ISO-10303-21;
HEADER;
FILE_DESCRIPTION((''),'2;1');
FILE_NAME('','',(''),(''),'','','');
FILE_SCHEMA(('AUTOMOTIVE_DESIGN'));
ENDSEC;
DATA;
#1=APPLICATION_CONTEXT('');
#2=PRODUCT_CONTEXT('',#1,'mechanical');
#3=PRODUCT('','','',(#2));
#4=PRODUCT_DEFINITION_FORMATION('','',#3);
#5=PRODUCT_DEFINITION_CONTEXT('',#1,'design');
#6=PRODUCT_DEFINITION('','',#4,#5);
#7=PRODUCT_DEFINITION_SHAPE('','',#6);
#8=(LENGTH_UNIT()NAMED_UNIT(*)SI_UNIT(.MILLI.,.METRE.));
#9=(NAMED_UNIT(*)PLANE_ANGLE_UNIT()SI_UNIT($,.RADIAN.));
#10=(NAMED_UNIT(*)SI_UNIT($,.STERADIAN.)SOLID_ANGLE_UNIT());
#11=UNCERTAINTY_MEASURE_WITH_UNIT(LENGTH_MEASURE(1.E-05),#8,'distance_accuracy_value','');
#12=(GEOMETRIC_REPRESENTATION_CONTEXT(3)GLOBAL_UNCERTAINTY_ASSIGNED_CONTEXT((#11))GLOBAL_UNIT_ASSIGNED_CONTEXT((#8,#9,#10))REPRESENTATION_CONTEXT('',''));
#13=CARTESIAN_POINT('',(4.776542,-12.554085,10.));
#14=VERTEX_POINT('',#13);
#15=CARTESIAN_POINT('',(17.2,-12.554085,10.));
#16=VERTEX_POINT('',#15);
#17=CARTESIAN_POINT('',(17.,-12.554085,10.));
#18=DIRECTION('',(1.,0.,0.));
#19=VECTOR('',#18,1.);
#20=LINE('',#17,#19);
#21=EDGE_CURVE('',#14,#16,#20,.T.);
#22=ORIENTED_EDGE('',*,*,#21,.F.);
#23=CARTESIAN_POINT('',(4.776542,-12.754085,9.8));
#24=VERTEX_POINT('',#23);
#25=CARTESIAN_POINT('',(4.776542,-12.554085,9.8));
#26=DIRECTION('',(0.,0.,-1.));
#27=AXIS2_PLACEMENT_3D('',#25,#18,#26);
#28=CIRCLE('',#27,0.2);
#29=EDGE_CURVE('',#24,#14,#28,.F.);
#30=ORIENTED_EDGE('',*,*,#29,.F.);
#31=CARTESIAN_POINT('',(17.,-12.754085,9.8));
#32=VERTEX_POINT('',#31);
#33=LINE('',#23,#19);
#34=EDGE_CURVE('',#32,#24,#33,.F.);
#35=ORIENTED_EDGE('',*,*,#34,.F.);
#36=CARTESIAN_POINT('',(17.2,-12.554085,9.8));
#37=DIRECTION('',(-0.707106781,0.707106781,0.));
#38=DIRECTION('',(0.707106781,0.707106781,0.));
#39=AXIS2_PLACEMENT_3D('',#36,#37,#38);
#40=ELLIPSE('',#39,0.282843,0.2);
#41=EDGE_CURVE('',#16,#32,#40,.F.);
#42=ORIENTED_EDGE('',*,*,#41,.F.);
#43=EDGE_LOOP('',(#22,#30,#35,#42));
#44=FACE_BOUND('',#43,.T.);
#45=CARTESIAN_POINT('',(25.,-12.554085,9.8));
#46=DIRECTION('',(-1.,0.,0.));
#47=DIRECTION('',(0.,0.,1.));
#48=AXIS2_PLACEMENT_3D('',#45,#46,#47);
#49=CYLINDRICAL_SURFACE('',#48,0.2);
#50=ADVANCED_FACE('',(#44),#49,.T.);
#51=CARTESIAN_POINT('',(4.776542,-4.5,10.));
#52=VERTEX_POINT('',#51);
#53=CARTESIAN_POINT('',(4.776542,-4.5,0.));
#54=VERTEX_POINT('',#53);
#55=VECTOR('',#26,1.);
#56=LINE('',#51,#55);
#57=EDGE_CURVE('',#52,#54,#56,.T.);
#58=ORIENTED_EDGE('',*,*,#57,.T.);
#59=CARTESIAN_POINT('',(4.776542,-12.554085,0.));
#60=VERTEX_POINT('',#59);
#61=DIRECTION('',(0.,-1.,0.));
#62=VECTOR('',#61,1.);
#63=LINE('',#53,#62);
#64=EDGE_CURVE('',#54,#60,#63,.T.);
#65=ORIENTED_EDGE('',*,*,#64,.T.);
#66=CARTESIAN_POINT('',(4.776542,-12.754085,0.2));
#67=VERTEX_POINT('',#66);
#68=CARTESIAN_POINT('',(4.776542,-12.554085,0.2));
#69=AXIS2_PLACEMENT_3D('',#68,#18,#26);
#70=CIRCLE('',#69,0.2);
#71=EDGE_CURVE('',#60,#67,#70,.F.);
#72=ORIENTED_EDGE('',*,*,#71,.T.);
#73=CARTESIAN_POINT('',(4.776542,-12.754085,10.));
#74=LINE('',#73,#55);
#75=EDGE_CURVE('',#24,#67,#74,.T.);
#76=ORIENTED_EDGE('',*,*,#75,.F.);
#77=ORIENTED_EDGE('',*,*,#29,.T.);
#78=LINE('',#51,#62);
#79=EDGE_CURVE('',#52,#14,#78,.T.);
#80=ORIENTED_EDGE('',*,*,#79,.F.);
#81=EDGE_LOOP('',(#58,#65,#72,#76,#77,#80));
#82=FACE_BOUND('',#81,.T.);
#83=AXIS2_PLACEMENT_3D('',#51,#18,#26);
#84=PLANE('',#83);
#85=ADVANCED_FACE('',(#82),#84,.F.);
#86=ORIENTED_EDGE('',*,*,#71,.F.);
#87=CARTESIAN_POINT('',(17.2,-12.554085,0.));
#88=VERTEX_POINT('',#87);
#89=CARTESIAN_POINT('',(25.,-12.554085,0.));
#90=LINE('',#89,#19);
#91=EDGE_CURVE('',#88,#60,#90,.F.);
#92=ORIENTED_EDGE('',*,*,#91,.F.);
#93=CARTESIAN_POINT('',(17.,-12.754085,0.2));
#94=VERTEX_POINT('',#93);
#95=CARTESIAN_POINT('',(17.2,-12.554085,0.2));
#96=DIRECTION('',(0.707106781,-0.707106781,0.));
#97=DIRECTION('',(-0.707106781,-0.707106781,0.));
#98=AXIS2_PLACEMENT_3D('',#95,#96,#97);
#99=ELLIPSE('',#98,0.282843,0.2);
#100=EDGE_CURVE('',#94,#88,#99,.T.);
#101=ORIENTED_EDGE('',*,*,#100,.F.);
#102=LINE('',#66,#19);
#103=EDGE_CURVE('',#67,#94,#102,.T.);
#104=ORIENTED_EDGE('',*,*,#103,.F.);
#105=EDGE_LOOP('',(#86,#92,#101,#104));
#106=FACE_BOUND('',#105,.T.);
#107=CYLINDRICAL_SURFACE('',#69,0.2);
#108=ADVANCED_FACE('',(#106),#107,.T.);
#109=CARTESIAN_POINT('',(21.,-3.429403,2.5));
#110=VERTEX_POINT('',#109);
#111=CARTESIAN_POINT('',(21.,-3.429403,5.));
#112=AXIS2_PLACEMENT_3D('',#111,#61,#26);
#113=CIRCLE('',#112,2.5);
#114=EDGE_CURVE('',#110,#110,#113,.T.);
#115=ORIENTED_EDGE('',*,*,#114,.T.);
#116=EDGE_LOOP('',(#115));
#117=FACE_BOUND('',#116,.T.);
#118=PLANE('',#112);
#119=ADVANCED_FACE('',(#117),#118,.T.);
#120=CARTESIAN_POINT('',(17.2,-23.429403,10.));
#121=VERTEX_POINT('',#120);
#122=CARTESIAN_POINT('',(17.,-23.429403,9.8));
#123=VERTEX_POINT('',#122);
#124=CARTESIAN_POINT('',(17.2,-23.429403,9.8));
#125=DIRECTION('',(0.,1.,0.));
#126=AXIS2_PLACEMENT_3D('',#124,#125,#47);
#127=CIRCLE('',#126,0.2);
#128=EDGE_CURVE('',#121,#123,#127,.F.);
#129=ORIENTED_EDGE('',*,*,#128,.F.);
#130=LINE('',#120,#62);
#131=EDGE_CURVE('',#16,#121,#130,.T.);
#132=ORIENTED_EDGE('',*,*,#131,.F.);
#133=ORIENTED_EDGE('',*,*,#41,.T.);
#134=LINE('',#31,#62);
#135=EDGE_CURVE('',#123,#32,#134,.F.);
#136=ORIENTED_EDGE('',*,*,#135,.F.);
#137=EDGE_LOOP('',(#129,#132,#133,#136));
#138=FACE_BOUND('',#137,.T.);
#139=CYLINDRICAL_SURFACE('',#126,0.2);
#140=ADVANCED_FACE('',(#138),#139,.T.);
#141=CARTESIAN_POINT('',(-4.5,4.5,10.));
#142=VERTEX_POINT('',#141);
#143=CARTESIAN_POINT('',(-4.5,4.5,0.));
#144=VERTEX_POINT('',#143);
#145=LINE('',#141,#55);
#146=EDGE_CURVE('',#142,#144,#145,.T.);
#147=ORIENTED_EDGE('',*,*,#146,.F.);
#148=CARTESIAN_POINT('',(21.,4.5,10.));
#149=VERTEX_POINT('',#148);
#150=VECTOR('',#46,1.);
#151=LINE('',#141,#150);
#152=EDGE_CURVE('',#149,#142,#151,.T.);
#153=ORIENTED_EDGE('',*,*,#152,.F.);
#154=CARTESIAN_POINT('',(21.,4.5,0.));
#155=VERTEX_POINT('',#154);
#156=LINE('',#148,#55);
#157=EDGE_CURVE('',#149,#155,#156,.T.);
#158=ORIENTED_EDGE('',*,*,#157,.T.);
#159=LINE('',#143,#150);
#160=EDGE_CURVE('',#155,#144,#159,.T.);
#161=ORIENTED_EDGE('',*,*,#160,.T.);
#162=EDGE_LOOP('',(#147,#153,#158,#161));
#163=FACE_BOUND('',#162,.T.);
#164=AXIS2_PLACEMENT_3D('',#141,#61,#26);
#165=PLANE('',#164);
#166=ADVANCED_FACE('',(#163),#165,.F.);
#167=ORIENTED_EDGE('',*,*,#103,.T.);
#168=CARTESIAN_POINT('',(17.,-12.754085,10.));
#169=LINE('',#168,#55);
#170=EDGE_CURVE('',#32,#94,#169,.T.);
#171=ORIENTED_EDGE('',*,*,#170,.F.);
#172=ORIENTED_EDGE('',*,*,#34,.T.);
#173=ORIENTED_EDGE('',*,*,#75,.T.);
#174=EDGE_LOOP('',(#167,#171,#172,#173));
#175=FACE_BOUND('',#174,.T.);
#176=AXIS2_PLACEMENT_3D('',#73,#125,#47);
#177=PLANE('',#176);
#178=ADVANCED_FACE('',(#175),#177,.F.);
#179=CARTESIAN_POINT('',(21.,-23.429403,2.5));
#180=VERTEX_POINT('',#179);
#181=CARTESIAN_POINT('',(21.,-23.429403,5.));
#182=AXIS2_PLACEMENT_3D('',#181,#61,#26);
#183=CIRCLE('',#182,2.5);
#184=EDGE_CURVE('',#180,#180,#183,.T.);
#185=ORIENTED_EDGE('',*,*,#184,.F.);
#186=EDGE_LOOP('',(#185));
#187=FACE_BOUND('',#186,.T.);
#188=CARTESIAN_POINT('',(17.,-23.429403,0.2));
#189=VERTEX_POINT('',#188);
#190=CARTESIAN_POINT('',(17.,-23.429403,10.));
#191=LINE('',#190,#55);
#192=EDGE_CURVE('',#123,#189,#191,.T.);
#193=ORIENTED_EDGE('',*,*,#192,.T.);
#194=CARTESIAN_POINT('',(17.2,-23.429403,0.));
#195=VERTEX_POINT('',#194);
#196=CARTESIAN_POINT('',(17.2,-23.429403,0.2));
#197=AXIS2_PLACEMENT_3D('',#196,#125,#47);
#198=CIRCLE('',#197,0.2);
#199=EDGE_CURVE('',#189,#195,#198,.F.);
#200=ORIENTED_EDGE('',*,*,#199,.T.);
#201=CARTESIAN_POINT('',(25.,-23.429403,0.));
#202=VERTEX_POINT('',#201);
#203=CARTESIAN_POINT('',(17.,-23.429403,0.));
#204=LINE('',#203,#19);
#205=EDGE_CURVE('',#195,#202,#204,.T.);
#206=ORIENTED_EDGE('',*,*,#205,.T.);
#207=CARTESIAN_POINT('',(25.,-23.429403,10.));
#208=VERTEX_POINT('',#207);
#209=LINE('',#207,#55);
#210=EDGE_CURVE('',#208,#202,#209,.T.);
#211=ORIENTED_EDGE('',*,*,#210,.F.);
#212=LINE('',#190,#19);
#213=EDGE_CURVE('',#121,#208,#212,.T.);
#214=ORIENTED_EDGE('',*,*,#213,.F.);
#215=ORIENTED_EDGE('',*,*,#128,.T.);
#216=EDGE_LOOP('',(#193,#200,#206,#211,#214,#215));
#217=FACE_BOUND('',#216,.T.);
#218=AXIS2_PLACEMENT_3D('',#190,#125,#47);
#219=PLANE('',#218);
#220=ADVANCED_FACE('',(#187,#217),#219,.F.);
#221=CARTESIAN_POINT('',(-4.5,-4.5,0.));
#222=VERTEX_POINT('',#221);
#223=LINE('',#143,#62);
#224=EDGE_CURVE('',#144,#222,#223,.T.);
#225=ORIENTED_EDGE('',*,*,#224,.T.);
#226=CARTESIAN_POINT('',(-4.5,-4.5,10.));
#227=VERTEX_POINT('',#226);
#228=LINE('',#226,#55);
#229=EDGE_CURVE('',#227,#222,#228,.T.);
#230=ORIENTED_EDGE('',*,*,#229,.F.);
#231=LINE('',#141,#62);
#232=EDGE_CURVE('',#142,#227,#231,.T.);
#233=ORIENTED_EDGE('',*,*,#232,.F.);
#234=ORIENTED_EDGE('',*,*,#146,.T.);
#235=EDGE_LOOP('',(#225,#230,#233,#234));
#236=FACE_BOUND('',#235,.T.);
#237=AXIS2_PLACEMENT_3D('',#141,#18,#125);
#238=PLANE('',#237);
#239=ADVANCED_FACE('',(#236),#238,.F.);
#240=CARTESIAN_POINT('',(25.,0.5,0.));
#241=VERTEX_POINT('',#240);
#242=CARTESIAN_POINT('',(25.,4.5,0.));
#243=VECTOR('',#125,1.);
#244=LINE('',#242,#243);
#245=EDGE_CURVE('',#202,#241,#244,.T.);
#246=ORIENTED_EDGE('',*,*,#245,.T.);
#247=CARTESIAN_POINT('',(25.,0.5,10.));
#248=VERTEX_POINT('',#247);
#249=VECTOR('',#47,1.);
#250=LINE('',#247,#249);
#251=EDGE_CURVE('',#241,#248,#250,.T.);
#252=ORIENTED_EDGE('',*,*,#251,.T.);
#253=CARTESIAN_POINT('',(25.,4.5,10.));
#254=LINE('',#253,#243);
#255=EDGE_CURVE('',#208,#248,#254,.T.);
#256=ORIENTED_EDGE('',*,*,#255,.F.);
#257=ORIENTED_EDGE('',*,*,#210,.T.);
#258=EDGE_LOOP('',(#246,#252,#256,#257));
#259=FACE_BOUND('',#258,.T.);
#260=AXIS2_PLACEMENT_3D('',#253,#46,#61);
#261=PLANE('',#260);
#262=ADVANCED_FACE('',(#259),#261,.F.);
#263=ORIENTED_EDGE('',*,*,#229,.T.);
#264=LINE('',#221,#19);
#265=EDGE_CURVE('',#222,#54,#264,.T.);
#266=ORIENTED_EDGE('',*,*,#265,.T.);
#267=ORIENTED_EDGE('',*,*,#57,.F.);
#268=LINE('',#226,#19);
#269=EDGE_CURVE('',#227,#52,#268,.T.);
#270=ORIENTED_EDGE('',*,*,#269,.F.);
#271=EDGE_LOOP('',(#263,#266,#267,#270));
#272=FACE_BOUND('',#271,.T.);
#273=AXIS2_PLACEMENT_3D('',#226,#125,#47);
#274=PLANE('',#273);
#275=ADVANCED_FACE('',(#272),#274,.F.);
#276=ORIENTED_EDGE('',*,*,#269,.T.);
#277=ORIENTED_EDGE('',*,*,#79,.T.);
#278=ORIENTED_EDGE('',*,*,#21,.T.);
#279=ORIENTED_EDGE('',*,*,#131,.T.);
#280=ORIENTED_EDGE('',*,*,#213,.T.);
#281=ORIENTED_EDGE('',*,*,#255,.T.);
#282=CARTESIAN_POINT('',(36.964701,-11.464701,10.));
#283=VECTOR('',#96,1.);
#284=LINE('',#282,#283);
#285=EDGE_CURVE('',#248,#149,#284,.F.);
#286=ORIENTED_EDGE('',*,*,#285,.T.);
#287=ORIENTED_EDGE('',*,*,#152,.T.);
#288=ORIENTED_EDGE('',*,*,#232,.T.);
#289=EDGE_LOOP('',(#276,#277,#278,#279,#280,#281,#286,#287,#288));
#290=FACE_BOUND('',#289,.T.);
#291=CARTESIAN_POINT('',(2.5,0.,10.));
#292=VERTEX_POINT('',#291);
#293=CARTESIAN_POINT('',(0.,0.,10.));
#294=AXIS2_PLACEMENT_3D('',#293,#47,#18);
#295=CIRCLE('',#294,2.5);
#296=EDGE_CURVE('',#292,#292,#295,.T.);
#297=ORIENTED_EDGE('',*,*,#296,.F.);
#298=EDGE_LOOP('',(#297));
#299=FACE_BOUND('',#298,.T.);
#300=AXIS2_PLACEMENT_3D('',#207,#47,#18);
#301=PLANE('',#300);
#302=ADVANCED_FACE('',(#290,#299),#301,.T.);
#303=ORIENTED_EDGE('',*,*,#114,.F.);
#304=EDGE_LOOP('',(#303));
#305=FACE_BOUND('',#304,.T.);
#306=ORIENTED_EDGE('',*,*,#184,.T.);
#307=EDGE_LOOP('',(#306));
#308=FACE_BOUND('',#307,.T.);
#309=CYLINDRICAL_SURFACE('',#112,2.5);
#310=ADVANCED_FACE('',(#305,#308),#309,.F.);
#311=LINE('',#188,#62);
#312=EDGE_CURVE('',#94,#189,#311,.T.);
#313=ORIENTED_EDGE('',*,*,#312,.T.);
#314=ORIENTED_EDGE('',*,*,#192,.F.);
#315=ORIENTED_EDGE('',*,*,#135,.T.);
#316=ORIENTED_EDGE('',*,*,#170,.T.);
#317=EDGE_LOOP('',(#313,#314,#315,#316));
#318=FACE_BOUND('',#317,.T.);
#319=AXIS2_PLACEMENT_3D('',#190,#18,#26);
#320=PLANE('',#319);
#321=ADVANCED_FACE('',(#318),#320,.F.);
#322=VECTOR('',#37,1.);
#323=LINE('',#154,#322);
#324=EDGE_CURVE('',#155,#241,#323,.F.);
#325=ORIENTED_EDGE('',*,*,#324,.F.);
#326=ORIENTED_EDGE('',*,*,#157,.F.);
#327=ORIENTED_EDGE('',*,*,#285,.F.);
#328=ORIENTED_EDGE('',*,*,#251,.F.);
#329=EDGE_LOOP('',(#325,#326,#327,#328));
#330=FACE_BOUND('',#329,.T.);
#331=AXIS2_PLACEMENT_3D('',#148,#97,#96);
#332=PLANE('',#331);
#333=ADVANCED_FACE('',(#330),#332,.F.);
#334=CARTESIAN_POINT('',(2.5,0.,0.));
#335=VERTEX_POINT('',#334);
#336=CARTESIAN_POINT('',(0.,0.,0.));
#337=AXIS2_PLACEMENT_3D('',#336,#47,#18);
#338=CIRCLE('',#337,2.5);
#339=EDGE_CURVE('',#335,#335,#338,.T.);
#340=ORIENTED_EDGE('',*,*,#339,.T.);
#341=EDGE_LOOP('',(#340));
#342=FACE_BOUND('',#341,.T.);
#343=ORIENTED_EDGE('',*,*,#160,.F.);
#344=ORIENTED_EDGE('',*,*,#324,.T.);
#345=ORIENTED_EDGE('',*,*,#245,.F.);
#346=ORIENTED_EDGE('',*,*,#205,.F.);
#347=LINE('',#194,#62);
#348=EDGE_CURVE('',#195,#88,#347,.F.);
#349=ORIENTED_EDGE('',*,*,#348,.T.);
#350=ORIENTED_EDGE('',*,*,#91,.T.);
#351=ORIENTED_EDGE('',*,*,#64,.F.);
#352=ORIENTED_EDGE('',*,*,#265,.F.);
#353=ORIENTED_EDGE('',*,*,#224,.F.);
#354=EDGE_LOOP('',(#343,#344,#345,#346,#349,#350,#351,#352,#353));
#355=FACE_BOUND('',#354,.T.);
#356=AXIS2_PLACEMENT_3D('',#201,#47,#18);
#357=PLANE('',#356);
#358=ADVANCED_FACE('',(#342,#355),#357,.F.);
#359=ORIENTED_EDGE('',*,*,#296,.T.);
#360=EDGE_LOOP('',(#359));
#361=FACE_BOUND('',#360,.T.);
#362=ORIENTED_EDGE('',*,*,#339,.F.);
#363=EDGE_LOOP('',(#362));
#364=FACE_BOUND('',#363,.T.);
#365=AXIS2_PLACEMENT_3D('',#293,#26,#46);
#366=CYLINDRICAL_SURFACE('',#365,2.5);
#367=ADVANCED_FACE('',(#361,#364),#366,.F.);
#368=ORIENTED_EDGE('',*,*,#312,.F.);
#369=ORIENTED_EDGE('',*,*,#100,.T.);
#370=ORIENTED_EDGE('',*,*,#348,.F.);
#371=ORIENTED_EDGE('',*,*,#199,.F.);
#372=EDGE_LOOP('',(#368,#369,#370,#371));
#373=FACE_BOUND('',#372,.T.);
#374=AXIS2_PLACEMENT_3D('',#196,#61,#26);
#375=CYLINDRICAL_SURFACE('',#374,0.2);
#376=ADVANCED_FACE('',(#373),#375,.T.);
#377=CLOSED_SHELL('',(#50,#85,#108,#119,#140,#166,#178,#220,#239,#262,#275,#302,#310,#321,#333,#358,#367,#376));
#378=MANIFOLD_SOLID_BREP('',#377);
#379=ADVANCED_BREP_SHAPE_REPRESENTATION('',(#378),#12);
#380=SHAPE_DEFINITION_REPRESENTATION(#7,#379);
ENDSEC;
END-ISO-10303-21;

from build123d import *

# Parameters (mm, degrees)
SKETCH_1_R          = 2.5
EXTRUDE_1_DEPTH     = 10
SKETCH_2_R          = 2.5
CUT_EXTRUDE_1_DEPTH = 20
CHAMFER_1_SIZE      = 4
FILLET_1_R          = 0.2


with BuildPart() as part:
    # Эскиз1 → Вытянуть1 (new body)
    with BuildSketch(Plane.XY):
        Polygon((17.000000013, -23.429402734), (17.000000013, -12.754084516), (4.776542266, -12.754084516), (4.776542266, -4.5), (-4.5, -4.5), (-4.5, 4.5), (25.000000013, 4.5), (25.000000013, -23.429402734), align=None)
        Circle(SKETCH_1_R, mode=Mode.SUBTRACT)
    extrude(amount=EXTRUDE_1_DEPTH)

    # Эскиз2 → Вырез-Вытянуть1 (cut)
    with BuildSketch(Plane.XZ.offset(23.429402734)):
        with Locations(Location((21.000000013, 5, 0), (0, 0, 270))):
            Circle(SKETCH_2_R)
    extrude(amount=-CUT_EXTRUDE_1_DEPTH, mode=Mode.SUBTRACT)

    # Фаска1
    chamfer_1_edges = [part.edges().sort_by_distance(p)[0] for p in [
        (25.000000013, 4.5, 5),
    ]]
    chamfer(chamfer_1_edges, length=CHAMFER_1_SIZE)

    # Скругление1
    fillet_1_edges = [part.edges().sort_by_distance(p)[0] for p in [
        (10.88827114, -12.754084516, 10),
        (17.000000013, -18.091743625, 10),
        (17.000000013, -18.091743625, 0),
        (10.88827114, -12.754084516, 0),
    ]]
    fillet(fillet_1_edges, radius=FILLET_1_R)


solid = part.part
